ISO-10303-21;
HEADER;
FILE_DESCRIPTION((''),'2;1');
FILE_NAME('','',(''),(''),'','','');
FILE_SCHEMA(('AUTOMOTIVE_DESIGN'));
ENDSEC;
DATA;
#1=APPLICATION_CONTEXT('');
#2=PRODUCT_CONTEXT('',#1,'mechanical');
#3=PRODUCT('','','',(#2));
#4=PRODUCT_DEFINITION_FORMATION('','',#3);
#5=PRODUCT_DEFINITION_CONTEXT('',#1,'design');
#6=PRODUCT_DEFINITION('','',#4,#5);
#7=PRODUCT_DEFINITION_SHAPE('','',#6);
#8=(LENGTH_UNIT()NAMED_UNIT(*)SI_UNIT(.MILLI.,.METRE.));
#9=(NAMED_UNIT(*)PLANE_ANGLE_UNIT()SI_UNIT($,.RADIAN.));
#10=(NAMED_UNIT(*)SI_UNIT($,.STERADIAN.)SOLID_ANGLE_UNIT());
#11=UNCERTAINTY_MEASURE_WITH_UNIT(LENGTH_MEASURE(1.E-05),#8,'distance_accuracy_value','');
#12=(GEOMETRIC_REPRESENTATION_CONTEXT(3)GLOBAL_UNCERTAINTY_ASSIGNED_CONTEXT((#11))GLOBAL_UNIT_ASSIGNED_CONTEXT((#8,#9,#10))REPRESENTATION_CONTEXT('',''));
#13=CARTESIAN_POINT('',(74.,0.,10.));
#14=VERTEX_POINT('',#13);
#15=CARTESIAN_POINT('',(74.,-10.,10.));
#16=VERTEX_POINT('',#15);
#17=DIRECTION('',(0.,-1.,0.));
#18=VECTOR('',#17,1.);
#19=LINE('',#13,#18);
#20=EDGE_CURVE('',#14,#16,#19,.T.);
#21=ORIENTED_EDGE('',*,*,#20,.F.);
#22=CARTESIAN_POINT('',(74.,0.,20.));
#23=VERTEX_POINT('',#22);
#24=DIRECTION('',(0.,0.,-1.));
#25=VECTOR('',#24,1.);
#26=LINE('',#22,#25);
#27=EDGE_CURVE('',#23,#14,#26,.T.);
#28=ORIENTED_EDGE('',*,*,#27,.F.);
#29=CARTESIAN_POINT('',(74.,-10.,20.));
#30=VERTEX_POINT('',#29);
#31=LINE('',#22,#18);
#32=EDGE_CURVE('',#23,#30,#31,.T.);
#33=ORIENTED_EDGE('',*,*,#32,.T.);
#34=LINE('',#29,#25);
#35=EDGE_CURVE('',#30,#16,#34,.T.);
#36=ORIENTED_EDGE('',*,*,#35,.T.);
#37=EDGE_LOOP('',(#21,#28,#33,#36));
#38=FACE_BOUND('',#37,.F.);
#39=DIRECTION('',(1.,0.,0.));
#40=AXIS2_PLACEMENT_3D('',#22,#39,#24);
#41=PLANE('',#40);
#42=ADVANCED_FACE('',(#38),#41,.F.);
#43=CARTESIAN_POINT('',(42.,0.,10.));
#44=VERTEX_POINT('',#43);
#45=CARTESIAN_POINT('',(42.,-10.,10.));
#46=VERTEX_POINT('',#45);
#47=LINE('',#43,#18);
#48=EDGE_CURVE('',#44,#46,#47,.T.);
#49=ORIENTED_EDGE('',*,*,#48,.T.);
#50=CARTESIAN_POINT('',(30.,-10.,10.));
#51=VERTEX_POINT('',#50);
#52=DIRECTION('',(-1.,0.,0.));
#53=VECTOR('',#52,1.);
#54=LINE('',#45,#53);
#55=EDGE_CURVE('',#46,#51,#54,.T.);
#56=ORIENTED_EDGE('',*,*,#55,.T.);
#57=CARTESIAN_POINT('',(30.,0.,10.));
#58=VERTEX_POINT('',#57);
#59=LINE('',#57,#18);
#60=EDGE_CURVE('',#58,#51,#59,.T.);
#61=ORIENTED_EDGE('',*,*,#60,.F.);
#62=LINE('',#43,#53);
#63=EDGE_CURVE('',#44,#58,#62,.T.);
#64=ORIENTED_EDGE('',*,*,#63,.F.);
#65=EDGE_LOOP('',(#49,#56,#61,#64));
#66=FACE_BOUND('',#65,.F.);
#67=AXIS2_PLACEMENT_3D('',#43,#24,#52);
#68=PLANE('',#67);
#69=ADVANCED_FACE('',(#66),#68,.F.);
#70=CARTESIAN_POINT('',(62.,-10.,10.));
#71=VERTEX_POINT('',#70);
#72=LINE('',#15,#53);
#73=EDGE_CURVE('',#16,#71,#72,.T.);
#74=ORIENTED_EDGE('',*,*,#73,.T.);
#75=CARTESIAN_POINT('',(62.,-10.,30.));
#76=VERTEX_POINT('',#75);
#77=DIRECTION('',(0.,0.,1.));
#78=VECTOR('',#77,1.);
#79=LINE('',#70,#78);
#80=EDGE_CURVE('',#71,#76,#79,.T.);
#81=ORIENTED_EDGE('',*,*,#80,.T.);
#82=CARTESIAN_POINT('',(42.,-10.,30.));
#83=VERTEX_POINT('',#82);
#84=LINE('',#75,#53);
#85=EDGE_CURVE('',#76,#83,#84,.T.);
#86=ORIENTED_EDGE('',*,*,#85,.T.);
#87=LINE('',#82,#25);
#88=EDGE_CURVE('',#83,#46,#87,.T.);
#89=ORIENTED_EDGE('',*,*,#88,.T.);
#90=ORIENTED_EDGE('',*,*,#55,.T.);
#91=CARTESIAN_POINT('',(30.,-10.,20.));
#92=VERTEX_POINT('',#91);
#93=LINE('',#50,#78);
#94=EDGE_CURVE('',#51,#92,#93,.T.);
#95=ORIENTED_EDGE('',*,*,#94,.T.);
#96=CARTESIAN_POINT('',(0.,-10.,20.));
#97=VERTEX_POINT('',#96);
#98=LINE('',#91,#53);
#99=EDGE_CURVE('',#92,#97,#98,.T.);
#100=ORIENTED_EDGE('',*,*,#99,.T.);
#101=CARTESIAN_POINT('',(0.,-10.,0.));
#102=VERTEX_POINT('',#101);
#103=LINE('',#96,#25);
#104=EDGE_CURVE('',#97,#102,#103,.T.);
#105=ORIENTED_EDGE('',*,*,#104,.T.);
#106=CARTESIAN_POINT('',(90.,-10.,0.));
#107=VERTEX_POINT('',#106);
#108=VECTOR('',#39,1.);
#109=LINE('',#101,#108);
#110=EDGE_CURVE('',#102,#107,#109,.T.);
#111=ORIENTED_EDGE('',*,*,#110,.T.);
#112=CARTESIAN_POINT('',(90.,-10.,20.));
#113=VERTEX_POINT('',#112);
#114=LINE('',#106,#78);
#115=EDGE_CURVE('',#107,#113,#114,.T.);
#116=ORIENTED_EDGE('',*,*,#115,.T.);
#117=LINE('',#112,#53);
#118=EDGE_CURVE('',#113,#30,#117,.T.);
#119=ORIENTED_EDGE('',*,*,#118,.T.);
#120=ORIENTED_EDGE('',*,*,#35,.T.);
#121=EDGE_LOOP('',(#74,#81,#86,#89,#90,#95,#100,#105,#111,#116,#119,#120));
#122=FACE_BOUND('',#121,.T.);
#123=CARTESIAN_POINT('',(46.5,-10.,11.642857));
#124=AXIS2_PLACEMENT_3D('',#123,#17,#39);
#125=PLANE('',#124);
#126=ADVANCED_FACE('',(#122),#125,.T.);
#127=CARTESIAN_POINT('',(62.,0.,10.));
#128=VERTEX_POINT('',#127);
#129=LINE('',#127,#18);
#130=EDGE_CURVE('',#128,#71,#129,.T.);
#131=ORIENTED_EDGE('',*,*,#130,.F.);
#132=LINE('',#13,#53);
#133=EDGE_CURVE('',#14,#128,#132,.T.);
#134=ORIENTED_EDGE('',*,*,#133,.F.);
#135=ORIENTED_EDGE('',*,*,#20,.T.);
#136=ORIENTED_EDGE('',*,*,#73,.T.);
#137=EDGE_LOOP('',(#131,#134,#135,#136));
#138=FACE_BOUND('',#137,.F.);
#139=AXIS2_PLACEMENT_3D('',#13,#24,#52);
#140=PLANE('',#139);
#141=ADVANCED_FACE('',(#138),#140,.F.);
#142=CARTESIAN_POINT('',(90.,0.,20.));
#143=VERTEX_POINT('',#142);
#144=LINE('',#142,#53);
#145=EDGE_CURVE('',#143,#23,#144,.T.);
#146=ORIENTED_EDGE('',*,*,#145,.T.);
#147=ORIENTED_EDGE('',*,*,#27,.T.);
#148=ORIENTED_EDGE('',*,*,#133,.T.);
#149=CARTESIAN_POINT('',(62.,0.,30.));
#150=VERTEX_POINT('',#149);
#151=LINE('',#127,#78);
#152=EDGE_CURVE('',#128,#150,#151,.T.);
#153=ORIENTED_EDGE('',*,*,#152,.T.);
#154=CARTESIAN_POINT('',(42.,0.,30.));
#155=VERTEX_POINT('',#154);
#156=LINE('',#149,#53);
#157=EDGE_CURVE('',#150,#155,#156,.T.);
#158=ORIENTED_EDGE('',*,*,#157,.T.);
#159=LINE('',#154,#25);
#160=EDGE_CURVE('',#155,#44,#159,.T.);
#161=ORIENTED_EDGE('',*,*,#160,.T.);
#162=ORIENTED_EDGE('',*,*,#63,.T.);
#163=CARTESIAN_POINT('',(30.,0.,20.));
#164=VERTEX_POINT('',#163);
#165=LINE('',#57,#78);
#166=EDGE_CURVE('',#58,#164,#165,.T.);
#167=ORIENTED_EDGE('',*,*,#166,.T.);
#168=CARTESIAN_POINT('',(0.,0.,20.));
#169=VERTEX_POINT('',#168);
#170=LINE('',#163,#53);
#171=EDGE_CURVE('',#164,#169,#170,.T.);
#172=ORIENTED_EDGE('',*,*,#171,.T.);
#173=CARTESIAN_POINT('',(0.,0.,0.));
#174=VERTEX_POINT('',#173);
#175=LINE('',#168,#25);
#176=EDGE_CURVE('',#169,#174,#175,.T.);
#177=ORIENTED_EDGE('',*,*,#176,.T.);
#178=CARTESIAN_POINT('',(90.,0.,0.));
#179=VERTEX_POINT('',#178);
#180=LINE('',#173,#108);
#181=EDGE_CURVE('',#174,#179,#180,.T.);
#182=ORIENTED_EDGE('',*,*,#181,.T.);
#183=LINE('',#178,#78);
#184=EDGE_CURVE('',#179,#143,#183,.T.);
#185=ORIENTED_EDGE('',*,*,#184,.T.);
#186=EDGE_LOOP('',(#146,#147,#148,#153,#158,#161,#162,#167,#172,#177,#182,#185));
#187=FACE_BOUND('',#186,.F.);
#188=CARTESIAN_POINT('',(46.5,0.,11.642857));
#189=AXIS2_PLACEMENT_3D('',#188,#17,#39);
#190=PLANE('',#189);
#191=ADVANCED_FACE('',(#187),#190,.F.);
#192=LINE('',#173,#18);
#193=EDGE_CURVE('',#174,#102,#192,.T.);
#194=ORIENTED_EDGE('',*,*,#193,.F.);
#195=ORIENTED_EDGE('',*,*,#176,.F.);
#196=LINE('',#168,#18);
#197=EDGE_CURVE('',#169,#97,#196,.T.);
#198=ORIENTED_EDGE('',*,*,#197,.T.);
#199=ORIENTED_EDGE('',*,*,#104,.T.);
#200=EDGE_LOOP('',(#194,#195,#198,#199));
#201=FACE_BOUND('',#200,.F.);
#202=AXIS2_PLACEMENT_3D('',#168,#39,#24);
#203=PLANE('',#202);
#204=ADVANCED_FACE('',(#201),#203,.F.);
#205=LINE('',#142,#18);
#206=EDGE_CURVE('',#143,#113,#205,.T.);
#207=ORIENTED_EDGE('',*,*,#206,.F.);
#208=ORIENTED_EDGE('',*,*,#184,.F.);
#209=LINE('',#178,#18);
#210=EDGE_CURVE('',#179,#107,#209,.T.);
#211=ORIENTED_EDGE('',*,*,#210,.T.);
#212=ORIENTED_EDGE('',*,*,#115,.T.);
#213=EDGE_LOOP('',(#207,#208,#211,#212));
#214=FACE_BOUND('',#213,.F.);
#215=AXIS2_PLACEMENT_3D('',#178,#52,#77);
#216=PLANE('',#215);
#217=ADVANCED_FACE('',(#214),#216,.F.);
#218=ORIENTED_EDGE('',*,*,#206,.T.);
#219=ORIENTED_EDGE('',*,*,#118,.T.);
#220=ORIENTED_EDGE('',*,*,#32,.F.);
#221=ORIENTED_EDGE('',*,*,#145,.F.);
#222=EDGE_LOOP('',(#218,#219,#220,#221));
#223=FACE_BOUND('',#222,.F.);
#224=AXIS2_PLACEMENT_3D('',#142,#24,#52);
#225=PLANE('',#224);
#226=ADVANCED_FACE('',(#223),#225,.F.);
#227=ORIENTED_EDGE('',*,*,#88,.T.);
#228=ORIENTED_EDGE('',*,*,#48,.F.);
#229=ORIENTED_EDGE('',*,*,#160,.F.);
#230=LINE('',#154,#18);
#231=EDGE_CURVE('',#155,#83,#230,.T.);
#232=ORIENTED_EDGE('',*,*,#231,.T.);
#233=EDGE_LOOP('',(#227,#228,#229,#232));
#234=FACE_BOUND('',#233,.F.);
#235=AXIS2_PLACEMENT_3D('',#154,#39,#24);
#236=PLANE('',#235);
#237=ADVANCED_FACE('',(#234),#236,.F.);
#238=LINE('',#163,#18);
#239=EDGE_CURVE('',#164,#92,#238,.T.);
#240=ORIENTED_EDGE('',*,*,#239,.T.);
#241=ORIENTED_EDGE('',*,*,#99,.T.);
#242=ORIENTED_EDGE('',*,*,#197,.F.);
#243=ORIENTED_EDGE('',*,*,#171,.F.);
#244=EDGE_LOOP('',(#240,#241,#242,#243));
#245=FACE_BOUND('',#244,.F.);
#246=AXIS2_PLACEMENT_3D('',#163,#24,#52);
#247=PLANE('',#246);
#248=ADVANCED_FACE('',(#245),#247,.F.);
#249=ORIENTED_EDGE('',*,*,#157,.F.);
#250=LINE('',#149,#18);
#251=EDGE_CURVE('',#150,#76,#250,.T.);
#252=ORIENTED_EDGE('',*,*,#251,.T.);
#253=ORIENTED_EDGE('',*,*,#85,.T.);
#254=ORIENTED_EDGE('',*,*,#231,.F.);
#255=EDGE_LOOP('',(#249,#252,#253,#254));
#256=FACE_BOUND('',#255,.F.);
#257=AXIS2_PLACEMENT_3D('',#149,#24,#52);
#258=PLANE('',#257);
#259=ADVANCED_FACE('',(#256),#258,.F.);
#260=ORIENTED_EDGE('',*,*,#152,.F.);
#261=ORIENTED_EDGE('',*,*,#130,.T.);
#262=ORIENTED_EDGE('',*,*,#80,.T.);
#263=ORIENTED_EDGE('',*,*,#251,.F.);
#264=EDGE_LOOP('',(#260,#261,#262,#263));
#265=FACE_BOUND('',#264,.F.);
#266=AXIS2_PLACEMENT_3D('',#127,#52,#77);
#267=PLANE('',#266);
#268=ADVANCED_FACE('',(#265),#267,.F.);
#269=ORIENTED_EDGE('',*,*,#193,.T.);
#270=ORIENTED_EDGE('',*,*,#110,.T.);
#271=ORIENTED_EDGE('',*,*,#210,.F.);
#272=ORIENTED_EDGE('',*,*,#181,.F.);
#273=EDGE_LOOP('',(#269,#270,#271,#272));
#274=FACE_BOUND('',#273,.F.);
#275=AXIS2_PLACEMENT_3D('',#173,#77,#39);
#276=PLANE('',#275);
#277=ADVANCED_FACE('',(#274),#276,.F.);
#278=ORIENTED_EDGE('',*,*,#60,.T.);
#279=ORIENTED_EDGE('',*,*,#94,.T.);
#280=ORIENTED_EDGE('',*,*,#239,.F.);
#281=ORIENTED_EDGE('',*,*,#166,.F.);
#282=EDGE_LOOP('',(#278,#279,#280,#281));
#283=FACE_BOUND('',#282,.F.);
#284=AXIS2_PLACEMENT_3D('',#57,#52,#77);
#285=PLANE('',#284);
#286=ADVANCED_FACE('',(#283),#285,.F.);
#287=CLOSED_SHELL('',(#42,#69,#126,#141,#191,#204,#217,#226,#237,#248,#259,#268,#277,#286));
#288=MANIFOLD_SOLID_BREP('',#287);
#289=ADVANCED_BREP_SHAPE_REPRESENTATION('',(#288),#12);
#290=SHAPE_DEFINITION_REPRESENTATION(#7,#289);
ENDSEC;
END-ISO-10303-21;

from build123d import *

# Parameters (mm, degrees)
F1_DEPTH = 10


with BuildPart() as f1:
    # F0 (on Front) → F1 (new body)
    with BuildSketch(Plane.XZ):
        Polygon((0, 20), (0, 0), (90, 0), (90, 20), (74, 20), (74, 10), (62, 10), (62, 30), (42, 30), (42, 10), (30, 10), (30, 20), align=None)
    extrude(amount=F1_DEPTH)


solid = f1.part
